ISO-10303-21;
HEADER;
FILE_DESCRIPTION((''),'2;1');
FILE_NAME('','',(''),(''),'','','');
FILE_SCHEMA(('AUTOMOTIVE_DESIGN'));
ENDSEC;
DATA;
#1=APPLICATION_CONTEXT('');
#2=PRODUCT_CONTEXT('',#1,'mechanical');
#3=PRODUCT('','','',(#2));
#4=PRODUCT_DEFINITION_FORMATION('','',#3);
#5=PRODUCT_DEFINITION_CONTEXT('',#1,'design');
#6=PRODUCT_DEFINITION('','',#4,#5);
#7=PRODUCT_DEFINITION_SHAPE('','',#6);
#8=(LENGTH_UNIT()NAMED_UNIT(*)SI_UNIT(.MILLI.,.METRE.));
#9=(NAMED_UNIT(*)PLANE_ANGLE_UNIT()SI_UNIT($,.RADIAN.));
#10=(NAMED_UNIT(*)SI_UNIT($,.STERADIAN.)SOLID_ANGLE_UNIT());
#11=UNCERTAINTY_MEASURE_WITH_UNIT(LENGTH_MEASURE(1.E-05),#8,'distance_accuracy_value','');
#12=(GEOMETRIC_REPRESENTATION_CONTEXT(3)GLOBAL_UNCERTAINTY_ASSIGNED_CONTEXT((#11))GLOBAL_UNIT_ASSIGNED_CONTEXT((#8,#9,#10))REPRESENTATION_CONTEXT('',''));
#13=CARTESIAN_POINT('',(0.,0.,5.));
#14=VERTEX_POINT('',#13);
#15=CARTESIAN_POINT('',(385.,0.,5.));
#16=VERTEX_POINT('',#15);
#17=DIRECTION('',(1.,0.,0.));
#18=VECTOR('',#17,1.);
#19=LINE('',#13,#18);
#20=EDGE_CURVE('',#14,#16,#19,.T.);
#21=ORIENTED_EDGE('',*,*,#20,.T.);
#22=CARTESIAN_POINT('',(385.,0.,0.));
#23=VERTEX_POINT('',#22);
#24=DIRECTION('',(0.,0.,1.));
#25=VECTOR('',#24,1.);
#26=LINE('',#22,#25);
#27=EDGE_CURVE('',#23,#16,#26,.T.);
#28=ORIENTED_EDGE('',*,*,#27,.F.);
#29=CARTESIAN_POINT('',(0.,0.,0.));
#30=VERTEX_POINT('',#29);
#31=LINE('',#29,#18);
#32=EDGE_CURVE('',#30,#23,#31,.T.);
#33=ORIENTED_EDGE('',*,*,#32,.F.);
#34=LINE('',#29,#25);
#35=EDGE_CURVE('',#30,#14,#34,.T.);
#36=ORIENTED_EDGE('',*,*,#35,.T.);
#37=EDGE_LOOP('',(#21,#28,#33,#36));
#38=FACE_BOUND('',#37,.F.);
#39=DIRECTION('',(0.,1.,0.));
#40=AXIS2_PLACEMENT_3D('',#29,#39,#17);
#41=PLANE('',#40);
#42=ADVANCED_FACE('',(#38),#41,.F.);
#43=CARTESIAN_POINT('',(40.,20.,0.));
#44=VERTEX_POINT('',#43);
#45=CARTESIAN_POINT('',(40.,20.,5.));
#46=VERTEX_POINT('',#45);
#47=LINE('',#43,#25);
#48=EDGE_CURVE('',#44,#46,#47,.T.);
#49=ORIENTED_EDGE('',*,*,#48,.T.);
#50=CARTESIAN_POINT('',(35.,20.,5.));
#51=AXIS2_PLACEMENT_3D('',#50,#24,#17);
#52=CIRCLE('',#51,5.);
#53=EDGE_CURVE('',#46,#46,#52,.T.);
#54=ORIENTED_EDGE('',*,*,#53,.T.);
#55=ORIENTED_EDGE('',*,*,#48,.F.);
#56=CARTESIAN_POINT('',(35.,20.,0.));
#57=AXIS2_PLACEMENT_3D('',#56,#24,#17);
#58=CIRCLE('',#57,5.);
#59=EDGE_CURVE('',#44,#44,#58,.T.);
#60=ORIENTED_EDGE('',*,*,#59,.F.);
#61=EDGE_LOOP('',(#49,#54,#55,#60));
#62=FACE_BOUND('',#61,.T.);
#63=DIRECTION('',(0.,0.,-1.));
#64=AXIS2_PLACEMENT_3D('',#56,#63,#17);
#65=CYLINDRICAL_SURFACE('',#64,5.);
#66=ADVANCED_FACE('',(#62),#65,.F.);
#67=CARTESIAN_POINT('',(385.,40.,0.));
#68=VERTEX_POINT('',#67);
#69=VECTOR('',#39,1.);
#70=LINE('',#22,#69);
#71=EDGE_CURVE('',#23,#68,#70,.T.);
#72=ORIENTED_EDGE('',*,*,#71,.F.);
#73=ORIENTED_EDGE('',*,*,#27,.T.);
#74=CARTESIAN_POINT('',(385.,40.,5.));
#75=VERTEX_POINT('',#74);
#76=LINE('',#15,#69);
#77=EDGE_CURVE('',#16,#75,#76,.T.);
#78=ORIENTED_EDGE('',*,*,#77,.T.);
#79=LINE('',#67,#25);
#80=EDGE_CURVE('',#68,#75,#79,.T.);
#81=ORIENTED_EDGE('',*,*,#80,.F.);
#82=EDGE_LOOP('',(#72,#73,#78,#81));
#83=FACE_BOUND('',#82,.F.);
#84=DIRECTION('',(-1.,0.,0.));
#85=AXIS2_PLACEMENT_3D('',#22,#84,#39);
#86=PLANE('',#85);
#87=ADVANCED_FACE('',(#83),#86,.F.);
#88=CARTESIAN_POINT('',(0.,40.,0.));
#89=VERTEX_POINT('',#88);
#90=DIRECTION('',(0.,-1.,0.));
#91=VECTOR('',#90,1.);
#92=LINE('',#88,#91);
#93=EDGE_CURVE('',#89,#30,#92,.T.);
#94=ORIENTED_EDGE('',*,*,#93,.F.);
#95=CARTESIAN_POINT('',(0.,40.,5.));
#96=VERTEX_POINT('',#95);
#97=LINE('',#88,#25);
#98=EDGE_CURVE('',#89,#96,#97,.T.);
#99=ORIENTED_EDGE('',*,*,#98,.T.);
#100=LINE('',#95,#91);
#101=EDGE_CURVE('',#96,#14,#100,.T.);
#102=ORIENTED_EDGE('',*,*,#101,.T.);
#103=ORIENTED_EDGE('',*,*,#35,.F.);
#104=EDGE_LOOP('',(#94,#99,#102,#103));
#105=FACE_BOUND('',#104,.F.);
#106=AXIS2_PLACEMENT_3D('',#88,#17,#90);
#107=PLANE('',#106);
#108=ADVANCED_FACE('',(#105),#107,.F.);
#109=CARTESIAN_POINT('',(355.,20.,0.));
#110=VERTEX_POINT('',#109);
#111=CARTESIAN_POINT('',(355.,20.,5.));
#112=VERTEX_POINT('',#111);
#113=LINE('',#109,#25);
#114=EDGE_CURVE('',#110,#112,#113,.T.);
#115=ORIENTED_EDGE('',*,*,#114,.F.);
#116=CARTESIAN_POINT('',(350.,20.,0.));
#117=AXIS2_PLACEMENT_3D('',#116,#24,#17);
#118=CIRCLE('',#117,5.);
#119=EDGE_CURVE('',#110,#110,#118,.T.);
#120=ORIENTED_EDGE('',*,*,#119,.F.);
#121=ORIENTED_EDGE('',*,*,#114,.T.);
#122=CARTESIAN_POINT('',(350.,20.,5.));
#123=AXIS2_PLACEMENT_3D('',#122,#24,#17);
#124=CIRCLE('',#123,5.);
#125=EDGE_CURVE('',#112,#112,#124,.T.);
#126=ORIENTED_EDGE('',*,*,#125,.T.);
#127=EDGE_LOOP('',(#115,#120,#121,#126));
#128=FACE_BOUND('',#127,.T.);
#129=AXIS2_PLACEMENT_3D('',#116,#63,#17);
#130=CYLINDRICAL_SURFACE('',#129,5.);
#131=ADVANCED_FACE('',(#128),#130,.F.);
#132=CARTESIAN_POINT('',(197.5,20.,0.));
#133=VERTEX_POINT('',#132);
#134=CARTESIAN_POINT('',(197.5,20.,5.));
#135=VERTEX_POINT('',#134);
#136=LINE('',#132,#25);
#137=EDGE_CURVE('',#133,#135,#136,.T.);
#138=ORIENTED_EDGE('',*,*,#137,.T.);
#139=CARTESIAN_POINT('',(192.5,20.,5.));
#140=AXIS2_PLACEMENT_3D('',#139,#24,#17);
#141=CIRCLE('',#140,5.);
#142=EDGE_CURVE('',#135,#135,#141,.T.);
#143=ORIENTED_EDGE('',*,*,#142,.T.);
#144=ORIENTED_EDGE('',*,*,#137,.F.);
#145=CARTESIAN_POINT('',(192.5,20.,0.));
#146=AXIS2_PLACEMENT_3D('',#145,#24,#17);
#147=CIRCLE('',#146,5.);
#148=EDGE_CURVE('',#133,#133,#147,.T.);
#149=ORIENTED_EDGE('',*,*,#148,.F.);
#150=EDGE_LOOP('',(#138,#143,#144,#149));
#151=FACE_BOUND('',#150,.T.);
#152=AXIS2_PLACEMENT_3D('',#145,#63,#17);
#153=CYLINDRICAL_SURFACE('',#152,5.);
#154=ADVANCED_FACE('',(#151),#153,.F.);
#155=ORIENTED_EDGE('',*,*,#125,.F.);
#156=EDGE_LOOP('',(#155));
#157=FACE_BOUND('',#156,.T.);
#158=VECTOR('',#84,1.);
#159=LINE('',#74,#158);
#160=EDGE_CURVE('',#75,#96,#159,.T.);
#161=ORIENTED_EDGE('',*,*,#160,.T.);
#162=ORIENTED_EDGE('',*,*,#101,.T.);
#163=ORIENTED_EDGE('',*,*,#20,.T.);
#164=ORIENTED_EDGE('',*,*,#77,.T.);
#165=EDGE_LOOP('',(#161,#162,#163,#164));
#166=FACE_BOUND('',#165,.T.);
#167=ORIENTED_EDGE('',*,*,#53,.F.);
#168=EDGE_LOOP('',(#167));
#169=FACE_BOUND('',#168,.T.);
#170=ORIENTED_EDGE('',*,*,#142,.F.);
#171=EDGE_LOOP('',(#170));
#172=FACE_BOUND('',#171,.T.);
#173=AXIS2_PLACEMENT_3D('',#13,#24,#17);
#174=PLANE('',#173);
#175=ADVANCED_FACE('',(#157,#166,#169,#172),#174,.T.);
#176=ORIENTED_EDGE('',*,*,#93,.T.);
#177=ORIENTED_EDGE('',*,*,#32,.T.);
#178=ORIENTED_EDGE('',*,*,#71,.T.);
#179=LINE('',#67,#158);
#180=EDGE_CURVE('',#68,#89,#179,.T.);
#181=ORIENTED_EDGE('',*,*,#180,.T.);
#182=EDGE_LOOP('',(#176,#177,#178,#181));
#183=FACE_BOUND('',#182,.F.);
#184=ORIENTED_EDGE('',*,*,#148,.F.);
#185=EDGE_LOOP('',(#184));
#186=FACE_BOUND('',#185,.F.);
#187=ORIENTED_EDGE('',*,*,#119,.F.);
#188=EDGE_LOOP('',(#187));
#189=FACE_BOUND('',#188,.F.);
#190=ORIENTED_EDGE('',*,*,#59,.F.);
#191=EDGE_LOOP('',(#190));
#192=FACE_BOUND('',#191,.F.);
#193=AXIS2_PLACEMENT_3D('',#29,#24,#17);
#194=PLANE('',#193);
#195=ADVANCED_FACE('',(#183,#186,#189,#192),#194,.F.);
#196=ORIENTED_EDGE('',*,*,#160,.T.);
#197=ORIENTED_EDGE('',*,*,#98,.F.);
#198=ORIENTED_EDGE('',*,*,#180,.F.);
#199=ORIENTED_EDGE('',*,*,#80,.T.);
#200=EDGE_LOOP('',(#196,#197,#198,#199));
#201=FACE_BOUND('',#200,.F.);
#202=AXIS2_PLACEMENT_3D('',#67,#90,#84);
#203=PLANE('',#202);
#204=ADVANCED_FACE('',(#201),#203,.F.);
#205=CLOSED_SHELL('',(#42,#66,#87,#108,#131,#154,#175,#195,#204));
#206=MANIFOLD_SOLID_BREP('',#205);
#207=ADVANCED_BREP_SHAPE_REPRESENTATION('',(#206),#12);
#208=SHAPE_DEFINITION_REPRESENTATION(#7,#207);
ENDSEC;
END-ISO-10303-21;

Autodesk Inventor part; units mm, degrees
ref_plane "YZ Plane" through (0, 0, 0) normal (1, 0, 0) x (0, 1, 0)
ref_plane "XZ Plane" through (0, 0, 0) normal (0, 1, 0) x (-1, 0, 0)
ref_plane "XY Plane" through (0, 0, 0) normal (0, 0, 1) x (1, 0, 0)
sketch "Boceto1" plane through (0, 0, 0) normal (0, 0, 1) x (1, 0, 0)
  line L0 (0, 0) -> (385, 0)
  line L1 (385, 0) -> (385, 40)
  line L2 (385, 40) -> (0, 40)
  line L3 (0, 40) -> (0, 0)
  line L4 (0, 20) -> (385, 20) construction
  circle A0 centre (35, 20) radius 5
  circle A1 centre (192.5, 20) radius 5
  circle A2 centre (350, 20) radius 5
  dimension "d0" = 40
  dimension "d1" = 385
  dimension "d2" = 10
  dimension "d3" = 10
  dimension "d4" = 10
  dimension "d5" = 35
  dimension "d6" = 35
extrude "Extrusión1" add sketch "Boceto1" along normal blind 5
properties part number "Sup.Acrilico.Segur" material "Acrílico, claro"
